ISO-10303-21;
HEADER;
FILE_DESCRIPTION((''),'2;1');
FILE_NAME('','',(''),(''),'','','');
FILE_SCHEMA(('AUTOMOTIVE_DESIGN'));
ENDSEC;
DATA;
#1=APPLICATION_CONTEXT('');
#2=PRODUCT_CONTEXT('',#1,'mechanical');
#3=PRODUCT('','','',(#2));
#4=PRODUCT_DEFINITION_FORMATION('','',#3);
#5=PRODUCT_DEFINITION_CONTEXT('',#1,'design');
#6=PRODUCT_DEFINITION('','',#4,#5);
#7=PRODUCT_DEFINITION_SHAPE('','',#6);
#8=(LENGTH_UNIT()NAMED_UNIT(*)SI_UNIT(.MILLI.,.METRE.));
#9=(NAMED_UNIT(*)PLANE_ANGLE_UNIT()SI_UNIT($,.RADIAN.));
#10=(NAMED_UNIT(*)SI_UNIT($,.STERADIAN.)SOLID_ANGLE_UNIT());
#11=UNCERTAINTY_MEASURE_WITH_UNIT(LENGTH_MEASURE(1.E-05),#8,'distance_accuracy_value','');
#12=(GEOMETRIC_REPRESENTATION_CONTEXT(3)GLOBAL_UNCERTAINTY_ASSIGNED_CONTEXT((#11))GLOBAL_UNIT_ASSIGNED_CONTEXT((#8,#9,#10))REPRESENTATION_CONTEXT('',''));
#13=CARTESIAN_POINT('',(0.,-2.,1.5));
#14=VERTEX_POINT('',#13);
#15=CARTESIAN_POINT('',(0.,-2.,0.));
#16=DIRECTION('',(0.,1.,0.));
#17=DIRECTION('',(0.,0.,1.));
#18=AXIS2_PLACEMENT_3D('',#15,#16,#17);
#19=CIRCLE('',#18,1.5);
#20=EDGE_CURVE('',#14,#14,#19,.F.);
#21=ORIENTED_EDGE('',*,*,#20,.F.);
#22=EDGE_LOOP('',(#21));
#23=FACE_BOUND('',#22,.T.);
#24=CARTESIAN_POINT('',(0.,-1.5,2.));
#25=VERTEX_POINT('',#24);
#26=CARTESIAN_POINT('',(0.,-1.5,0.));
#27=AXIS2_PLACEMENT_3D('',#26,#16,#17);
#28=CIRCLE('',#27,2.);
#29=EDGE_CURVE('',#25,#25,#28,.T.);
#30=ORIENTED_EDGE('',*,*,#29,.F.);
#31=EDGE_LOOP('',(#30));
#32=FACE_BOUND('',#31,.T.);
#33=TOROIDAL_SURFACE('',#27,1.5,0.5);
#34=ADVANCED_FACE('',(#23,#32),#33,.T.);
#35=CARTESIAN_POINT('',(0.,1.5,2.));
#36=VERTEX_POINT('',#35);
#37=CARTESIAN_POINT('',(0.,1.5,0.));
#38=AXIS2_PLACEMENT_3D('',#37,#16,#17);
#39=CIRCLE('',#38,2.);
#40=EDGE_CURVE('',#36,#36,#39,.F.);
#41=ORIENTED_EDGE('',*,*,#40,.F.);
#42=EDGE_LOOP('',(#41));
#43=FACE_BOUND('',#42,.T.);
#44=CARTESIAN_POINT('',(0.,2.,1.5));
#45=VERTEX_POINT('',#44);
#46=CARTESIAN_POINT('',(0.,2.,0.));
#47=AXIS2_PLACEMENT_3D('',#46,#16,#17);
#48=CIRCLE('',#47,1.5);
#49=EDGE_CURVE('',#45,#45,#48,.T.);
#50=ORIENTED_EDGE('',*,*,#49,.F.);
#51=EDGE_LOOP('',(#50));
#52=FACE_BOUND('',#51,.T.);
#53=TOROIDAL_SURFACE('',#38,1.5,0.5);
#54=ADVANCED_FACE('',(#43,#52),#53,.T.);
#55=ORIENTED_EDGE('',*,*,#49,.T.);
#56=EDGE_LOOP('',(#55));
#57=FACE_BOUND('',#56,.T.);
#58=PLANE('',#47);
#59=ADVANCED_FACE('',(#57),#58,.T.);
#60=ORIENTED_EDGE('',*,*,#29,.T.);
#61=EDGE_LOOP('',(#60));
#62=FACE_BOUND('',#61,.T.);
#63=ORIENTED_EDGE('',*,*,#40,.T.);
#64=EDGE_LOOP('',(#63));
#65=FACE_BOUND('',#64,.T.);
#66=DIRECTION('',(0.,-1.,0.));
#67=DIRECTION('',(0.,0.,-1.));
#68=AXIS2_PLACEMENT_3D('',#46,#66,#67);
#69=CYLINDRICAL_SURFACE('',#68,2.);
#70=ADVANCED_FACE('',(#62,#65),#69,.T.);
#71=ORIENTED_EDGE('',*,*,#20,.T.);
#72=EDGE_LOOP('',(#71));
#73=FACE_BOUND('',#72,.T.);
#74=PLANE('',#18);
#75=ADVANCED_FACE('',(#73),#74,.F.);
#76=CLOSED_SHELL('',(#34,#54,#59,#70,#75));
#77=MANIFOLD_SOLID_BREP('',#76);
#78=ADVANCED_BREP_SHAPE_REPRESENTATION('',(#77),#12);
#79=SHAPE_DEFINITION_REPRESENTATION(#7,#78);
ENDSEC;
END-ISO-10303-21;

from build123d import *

# Parameters (mm, degrees)
SKETCH_1_R      = 2
EXTRUDE_1_DEPTH = 2
FILLET_1_R      = 0.5


with BuildPart() as part:
    # Эскиз1 → Бобышка-Вытянуть1 (new, symmetric)
    with BuildSketch(Plane(origin=(0, 0, 0), x_dir=(1, 0, 0), z_dir=(0, 1, 0))):
        with Locations(Location((0, 0, 0), (0, 0, 270))):
            Circle(SKETCH_1_R)
    extrude(amount=EXTRUDE_1_DEPTH, both=True)

    # Скругление1
    fillet_1_edges = [part.edges().sort_by_distance(p)[0] for p in [
        (0, -2, -2),
        (0, 2, -2),
    ]]
    fillet(fillet_1_edges, radius=FILLET_1_R)


solid = part.part
